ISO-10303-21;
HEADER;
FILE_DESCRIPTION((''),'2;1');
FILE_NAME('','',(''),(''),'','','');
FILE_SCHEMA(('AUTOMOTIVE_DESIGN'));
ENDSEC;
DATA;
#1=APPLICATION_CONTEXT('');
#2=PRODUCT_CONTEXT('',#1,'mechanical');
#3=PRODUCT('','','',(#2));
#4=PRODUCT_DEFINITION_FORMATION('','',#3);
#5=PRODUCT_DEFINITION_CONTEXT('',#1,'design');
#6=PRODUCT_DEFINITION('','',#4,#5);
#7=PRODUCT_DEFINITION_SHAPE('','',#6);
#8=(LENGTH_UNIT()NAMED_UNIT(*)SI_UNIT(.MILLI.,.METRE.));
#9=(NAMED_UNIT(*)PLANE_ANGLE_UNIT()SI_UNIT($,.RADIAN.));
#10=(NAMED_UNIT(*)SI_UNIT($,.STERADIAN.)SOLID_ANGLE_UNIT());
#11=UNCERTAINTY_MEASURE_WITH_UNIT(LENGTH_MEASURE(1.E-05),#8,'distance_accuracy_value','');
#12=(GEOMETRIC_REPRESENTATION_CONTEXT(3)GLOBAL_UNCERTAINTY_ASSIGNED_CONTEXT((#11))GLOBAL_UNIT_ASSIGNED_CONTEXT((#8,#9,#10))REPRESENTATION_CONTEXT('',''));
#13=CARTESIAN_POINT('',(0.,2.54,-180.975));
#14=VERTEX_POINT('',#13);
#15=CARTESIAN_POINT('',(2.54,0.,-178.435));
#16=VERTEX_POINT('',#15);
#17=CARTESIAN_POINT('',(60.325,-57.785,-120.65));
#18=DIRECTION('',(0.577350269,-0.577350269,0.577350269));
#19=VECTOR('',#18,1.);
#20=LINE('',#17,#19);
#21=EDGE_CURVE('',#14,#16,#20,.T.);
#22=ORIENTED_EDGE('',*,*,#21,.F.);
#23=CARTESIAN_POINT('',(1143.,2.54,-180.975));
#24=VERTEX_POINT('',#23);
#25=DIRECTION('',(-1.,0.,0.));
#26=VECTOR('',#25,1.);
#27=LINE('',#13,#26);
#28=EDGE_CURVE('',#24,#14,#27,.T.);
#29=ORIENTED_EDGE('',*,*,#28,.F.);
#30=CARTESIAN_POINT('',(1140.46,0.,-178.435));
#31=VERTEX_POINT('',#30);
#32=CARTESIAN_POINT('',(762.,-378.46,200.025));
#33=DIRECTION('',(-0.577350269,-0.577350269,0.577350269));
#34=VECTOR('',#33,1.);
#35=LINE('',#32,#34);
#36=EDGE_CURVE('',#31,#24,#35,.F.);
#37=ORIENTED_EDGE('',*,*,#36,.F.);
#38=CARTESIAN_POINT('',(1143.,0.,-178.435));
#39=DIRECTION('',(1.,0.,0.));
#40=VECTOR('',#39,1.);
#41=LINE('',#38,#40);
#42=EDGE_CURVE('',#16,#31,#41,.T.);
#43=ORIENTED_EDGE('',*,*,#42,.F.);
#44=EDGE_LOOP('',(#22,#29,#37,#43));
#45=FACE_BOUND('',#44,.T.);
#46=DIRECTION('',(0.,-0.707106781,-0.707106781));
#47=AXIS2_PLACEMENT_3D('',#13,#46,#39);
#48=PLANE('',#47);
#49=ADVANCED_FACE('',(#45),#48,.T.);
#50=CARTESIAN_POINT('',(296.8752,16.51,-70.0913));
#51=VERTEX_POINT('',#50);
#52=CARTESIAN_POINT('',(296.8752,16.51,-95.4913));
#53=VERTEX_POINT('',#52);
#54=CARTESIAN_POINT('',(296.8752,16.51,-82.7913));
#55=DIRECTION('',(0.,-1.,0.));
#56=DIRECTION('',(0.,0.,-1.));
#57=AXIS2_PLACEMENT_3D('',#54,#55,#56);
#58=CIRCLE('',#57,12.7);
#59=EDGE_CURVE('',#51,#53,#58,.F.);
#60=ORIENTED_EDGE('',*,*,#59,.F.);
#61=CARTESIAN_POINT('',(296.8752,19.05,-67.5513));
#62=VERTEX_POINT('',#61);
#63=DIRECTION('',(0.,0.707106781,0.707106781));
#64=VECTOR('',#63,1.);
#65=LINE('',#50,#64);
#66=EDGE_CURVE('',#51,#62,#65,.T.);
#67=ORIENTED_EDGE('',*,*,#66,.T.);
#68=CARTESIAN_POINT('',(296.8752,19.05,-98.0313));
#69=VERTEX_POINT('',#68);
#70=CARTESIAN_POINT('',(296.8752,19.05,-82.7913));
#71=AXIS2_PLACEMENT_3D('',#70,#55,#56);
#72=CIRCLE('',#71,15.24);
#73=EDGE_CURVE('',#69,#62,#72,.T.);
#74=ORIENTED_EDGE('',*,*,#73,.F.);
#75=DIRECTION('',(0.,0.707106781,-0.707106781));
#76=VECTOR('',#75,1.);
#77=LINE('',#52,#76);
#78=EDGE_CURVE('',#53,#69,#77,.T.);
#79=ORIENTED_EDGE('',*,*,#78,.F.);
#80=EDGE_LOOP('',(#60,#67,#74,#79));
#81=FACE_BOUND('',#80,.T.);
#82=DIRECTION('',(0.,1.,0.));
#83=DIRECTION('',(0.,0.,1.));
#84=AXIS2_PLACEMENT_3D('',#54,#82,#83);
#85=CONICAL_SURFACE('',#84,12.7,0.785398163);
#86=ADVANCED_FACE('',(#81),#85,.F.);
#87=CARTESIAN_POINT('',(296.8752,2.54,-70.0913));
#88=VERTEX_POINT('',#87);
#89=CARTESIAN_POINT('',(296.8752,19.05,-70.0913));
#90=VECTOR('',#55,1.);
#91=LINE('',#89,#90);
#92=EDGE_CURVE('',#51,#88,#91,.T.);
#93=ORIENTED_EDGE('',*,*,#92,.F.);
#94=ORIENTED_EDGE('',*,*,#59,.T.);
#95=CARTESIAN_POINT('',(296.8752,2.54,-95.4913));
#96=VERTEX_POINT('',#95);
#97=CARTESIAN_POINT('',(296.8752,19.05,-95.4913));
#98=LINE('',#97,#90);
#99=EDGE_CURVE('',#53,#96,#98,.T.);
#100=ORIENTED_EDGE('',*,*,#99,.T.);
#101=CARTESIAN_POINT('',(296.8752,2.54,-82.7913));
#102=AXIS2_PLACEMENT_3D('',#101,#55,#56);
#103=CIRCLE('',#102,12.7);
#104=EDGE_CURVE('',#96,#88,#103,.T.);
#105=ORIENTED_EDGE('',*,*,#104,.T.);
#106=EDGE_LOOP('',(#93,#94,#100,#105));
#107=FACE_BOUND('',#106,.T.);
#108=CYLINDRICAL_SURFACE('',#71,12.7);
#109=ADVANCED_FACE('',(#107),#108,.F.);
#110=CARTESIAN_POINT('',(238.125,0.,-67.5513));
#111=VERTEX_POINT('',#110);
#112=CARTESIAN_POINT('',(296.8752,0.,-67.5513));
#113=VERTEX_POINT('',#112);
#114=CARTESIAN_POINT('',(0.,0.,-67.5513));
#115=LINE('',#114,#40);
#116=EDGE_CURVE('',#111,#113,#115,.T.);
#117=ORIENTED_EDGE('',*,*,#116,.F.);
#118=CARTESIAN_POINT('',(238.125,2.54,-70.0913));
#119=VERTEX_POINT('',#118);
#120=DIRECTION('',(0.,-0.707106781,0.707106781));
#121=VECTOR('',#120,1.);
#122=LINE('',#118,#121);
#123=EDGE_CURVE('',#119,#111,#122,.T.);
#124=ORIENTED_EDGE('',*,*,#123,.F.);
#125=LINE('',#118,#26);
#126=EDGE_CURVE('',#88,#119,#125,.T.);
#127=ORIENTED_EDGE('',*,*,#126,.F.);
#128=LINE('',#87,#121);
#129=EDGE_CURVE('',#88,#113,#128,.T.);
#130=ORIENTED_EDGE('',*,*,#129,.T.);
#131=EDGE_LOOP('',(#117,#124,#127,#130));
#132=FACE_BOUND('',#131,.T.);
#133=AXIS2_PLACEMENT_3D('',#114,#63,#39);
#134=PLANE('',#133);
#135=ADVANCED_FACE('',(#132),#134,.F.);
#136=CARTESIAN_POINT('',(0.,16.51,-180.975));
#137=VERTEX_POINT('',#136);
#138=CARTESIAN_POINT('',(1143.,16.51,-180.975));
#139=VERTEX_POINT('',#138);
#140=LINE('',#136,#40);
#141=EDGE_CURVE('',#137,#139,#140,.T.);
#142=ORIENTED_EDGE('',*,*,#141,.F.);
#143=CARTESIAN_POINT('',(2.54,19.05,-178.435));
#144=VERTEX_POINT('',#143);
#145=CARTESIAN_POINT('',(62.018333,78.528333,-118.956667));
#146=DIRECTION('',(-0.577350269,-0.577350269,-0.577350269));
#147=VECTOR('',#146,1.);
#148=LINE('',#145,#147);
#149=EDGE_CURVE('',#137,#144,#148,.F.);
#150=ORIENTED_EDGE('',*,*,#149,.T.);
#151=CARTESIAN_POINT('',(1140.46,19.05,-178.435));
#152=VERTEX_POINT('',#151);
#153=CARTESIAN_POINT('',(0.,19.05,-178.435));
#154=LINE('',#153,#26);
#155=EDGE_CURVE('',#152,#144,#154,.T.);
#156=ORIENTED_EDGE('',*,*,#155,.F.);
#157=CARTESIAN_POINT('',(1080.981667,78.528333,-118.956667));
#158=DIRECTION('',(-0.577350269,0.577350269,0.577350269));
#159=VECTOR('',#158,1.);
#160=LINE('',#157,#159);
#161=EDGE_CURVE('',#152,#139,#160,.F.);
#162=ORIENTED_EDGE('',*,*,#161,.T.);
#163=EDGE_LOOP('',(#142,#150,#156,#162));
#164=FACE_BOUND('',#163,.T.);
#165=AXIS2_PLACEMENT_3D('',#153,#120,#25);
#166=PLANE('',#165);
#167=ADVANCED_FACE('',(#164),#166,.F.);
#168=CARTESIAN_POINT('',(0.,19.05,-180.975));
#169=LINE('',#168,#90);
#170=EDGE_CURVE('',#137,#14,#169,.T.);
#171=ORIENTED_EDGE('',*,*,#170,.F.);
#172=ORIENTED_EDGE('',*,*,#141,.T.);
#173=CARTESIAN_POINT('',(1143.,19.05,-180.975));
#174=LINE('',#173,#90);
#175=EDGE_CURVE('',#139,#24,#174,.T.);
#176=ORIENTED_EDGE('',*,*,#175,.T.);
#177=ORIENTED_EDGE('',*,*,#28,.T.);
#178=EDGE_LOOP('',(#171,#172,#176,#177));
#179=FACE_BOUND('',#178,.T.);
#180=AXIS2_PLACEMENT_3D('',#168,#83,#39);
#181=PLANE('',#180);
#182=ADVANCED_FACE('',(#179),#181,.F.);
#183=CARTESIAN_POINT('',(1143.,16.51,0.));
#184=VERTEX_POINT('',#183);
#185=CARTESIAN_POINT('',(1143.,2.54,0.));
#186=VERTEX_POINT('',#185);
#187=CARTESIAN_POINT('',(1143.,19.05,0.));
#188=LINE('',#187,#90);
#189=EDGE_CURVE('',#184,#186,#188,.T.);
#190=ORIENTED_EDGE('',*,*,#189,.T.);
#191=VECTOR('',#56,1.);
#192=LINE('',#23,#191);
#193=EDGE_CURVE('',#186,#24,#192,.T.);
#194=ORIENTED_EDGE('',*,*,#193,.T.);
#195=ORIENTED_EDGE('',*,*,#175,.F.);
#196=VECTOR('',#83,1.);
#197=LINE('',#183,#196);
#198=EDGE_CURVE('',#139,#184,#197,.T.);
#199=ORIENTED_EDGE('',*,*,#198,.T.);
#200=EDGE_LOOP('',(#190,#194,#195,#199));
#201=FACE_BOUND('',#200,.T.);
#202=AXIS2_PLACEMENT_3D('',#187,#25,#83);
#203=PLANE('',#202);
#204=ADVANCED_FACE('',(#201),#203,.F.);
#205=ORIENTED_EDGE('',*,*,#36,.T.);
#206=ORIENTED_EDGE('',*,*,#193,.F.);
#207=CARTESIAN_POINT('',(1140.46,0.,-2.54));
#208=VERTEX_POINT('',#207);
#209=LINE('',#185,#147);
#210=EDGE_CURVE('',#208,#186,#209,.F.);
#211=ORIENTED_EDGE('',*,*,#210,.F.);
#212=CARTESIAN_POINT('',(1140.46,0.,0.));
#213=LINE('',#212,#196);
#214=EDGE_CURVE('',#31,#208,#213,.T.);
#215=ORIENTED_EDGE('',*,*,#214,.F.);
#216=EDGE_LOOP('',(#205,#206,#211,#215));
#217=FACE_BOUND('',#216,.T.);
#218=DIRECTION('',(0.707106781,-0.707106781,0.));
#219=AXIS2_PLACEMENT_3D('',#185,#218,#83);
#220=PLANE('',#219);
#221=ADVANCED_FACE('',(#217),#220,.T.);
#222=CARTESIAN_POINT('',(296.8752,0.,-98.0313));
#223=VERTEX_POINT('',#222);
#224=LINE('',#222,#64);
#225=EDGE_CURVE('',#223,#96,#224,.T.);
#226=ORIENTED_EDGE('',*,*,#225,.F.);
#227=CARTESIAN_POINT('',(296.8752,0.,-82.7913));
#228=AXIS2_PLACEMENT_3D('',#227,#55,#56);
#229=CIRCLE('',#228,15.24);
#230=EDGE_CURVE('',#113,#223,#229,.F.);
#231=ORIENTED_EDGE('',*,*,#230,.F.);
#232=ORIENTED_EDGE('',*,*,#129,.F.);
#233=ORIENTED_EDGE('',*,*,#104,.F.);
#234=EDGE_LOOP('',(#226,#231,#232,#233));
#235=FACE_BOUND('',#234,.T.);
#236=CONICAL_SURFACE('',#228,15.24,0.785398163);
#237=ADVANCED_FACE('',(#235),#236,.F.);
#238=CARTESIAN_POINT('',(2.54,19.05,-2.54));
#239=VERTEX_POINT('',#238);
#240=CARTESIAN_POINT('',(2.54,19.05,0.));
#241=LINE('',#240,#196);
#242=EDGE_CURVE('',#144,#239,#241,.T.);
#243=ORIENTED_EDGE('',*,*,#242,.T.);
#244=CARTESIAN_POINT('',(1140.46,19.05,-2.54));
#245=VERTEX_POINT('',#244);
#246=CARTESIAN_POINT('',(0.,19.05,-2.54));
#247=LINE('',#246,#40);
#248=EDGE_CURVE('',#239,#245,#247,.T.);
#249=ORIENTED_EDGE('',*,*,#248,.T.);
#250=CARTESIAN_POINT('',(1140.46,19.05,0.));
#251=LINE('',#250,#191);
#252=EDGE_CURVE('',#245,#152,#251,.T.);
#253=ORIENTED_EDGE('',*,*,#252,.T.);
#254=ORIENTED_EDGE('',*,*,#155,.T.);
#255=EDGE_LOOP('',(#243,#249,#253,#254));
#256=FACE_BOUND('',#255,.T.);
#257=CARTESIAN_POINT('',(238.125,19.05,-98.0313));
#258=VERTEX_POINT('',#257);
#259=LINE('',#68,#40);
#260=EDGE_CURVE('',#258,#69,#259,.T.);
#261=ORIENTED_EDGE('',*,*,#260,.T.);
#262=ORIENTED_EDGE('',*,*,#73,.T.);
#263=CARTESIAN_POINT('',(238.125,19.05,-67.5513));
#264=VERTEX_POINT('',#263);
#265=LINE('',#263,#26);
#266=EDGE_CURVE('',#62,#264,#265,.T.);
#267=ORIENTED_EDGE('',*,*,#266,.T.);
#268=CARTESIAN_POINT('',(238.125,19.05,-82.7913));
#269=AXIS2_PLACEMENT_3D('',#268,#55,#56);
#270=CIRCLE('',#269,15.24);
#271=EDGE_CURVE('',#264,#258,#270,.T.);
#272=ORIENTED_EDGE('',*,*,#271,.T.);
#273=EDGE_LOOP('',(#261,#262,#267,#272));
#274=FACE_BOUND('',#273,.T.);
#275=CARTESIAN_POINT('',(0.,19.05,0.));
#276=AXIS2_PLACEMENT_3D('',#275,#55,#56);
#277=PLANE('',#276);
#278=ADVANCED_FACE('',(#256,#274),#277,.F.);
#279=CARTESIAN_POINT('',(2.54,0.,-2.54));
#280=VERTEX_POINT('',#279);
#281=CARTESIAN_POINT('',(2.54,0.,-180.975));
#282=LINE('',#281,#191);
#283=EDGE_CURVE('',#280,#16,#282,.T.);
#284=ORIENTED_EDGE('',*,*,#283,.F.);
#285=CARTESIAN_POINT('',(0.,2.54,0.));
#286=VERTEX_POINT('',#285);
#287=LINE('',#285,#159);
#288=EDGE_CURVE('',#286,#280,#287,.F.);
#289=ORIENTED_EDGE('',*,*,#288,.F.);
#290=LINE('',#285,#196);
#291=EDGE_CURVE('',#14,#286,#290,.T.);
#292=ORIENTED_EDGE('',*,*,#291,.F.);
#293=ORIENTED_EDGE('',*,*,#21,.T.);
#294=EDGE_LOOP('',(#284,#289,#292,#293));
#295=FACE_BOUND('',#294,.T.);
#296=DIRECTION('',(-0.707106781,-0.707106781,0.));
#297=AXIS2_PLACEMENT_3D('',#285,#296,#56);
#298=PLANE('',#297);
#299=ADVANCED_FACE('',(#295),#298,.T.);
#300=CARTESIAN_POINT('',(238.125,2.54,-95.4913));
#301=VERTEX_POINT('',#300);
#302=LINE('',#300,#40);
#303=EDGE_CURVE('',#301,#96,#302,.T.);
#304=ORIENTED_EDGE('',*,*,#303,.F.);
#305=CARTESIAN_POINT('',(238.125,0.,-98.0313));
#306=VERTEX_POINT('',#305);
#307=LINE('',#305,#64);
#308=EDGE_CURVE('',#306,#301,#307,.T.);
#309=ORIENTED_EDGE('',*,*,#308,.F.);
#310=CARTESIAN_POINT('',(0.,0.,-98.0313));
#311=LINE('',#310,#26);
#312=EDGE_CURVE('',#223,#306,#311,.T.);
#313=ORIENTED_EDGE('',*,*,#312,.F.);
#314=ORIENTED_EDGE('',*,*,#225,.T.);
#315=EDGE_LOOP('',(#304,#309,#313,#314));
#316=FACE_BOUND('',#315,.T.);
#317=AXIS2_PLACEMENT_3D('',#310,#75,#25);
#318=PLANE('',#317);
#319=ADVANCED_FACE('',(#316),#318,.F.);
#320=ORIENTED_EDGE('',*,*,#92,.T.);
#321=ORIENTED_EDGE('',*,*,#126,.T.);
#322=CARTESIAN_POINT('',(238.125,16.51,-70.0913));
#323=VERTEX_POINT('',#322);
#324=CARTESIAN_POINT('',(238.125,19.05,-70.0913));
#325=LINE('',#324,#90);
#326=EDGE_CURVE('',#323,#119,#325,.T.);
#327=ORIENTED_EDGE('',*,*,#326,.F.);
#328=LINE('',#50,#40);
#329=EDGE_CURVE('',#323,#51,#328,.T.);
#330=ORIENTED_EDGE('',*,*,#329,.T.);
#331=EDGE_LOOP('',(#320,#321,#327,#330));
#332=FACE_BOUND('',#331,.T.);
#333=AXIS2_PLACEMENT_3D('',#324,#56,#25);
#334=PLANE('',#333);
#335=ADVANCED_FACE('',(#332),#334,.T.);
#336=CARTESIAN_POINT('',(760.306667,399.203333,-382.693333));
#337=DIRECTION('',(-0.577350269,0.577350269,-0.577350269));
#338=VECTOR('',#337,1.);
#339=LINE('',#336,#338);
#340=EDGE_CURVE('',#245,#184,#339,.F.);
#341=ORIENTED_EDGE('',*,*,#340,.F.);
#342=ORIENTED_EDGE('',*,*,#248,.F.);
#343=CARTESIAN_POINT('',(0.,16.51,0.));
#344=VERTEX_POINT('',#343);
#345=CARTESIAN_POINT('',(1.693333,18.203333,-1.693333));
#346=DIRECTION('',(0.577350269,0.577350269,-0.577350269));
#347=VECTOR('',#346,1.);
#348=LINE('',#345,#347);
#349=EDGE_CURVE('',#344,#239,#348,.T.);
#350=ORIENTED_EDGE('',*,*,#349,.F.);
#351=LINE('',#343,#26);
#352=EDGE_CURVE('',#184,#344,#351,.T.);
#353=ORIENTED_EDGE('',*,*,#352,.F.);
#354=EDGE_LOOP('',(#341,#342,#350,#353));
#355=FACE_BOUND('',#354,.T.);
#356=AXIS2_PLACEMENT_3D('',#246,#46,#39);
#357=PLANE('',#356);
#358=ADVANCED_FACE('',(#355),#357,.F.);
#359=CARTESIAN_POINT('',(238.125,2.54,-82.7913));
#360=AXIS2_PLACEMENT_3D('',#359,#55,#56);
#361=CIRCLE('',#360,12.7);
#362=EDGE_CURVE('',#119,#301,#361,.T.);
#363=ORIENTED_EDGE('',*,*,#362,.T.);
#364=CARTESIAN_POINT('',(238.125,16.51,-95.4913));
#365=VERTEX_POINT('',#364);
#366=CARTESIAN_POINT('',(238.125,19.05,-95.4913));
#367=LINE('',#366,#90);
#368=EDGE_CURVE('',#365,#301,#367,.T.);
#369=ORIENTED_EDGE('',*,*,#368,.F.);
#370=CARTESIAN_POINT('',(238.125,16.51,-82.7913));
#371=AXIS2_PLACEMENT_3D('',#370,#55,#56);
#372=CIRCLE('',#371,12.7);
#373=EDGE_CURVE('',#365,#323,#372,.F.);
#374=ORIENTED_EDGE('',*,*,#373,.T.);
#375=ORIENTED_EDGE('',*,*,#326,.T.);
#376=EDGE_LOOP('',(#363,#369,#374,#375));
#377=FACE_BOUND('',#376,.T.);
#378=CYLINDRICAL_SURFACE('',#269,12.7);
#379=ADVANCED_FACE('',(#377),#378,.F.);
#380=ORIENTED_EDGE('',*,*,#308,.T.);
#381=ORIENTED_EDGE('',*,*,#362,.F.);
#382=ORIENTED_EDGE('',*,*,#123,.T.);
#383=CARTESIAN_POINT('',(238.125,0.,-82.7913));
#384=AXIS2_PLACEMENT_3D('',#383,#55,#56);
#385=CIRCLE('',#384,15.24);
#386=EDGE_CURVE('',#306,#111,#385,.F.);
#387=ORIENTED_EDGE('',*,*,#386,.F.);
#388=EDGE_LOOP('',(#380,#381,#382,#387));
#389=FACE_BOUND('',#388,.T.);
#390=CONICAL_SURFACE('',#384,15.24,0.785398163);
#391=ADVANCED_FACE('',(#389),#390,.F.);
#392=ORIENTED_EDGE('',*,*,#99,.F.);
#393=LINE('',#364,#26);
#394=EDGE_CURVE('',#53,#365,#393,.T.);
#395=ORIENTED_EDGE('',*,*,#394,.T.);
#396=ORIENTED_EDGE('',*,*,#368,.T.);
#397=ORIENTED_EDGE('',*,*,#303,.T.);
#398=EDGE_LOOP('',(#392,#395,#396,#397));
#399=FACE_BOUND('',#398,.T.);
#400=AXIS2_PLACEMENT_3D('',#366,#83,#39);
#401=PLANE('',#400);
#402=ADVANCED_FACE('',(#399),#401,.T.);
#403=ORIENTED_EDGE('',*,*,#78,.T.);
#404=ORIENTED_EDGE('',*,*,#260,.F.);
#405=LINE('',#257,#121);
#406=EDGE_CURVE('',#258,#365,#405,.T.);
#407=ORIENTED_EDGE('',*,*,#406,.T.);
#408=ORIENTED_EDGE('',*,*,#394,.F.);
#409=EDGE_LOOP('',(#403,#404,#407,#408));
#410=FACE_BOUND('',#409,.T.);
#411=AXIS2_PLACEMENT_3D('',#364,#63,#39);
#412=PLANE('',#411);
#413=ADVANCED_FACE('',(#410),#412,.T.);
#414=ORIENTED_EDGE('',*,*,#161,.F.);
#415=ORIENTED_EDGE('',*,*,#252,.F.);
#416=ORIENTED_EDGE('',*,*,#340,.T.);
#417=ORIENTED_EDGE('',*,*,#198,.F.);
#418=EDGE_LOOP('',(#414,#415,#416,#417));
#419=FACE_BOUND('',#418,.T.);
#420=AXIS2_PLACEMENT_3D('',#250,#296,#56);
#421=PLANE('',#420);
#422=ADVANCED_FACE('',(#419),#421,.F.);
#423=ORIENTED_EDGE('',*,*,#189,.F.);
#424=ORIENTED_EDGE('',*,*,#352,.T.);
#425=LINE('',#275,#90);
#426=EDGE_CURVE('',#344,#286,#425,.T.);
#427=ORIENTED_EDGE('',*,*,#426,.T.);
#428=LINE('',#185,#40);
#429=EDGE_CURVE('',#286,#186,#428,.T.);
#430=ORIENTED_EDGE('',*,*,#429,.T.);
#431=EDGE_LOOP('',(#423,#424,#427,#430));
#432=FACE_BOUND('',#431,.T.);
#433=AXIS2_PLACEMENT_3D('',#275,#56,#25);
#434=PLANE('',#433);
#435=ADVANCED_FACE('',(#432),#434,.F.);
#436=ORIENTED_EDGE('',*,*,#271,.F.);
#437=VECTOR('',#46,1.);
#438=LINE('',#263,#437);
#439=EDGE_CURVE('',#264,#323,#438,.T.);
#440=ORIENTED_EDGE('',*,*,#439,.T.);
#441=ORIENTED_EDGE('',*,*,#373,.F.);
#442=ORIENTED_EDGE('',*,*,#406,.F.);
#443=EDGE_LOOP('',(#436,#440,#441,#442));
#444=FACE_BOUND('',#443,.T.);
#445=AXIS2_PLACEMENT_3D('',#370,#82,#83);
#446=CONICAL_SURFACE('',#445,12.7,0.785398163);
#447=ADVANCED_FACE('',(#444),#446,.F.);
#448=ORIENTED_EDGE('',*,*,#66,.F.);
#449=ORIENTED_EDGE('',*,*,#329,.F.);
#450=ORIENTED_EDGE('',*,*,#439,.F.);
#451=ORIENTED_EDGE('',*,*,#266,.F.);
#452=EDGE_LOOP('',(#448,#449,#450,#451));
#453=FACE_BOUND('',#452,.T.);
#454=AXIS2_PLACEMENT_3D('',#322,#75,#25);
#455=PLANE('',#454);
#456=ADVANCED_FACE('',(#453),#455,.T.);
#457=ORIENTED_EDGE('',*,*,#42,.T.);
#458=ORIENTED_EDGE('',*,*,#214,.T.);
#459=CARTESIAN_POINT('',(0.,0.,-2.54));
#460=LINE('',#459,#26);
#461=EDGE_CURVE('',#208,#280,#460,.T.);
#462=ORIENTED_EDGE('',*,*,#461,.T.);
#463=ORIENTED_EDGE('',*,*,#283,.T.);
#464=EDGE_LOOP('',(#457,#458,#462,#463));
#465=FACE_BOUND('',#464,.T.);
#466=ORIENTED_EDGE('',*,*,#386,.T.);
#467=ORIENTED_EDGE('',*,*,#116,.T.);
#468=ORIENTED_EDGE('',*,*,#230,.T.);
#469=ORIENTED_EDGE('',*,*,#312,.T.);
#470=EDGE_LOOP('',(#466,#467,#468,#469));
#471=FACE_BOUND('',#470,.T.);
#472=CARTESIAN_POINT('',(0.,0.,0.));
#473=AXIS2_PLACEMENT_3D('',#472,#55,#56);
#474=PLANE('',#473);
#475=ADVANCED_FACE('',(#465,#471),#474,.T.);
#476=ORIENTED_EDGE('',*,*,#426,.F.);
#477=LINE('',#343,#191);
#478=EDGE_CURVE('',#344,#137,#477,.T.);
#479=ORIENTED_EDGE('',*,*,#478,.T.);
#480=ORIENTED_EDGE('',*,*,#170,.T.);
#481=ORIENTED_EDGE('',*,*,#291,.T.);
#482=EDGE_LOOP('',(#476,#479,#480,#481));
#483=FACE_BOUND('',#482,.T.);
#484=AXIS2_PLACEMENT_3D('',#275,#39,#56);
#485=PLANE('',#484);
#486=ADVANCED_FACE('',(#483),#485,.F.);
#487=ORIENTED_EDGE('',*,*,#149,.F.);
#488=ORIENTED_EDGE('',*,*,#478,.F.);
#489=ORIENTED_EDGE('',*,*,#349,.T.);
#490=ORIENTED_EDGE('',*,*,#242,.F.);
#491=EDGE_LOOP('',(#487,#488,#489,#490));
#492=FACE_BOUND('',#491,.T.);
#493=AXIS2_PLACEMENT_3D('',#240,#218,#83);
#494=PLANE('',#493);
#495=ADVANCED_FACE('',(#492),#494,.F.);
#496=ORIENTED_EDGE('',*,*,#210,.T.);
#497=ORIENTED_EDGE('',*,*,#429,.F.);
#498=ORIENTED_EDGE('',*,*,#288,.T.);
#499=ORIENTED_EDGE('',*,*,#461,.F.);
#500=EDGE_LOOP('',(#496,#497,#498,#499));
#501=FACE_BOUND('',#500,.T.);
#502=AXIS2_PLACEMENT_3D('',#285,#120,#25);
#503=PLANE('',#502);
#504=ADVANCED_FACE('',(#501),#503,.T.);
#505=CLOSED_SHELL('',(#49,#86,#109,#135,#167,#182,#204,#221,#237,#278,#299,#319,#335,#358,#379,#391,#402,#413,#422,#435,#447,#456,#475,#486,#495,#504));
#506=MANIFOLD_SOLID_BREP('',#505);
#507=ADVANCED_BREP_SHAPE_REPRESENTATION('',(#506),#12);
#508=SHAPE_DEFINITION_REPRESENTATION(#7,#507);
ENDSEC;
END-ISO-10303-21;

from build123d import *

# Parameters (mm, degrees)
SKETCH1_W           = 1143
SKETCH1_H           = 180.975
BOSS_EXTRUDE1_DEPTH = 19.05
CHAMFER1_SIZE       = 2.54
CHAMFER2_SIZE       = 2.54


with BuildPart() as part:
    # Sketch1 → Boss-Extrude1 (new body)
    with BuildSketch(Plane(origin=(0, 0, 0), x_dir=(1, 0, 0), z_dir=(0, 1, 0))):
        with Locations((571.5, 90.4875)):
            Rectangle(SKETCH1_W, SKETCH1_H)
        with BuildLine():
            Line((238.125, 95.4913), (296.8752, 95.4913))
            ThreePointArc((296.8752, 95.4913), (309.5752, 82.7913), (296.8752, 70.0913))
            Line((296.8752, 70.0913), (238.125, 70.0913))
            ThreePointArc((238.125, 70.0913), (225.425, 82.7913), (238.125, 95.4913))
        make_face(mode=Mode.SUBTRACT)
    extrude(amount=BOSS_EXTRUDE1_DEPTH)

    # Chamfer1
    chamfer1_edges = [part.edges().sort_by_distance(p)[0] for p in [
        (1143, 19.05, -90.4875),
        (309.5752, 19.05, -82.7913),
        (571.5, 19.05, -180.975),
        (267.5001, 19.05, -95.4913),
        (225.425, 19.05, -82.7913),
        (267.5001, 19.05, -70.0913),
        (0, 19.05, -90.4875),
        (571.5, 19.05, 0),
    ]]
    chamfer(chamfer1_edges, length=CHAMFER1_SIZE)

    # Chamfer2
    chamfer2_edges = [part.edges().sort_by_distance(p)[0] for p in [
        (309.5752, 0, -82.7913),
        (267.5001, 0, -95.4913),
        (225.425, 0, -82.7913),
        (267.5001, 0, -70.0913),
        (571.5, 0, -180.975),
        (1143, 0, -90.4875),
        (571.5, 0, 0),
        (0, 0, -90.4875),
    ]]
    chamfer(chamfer2_edges, length=CHAMFER2_SIZE)


solid = part.part
